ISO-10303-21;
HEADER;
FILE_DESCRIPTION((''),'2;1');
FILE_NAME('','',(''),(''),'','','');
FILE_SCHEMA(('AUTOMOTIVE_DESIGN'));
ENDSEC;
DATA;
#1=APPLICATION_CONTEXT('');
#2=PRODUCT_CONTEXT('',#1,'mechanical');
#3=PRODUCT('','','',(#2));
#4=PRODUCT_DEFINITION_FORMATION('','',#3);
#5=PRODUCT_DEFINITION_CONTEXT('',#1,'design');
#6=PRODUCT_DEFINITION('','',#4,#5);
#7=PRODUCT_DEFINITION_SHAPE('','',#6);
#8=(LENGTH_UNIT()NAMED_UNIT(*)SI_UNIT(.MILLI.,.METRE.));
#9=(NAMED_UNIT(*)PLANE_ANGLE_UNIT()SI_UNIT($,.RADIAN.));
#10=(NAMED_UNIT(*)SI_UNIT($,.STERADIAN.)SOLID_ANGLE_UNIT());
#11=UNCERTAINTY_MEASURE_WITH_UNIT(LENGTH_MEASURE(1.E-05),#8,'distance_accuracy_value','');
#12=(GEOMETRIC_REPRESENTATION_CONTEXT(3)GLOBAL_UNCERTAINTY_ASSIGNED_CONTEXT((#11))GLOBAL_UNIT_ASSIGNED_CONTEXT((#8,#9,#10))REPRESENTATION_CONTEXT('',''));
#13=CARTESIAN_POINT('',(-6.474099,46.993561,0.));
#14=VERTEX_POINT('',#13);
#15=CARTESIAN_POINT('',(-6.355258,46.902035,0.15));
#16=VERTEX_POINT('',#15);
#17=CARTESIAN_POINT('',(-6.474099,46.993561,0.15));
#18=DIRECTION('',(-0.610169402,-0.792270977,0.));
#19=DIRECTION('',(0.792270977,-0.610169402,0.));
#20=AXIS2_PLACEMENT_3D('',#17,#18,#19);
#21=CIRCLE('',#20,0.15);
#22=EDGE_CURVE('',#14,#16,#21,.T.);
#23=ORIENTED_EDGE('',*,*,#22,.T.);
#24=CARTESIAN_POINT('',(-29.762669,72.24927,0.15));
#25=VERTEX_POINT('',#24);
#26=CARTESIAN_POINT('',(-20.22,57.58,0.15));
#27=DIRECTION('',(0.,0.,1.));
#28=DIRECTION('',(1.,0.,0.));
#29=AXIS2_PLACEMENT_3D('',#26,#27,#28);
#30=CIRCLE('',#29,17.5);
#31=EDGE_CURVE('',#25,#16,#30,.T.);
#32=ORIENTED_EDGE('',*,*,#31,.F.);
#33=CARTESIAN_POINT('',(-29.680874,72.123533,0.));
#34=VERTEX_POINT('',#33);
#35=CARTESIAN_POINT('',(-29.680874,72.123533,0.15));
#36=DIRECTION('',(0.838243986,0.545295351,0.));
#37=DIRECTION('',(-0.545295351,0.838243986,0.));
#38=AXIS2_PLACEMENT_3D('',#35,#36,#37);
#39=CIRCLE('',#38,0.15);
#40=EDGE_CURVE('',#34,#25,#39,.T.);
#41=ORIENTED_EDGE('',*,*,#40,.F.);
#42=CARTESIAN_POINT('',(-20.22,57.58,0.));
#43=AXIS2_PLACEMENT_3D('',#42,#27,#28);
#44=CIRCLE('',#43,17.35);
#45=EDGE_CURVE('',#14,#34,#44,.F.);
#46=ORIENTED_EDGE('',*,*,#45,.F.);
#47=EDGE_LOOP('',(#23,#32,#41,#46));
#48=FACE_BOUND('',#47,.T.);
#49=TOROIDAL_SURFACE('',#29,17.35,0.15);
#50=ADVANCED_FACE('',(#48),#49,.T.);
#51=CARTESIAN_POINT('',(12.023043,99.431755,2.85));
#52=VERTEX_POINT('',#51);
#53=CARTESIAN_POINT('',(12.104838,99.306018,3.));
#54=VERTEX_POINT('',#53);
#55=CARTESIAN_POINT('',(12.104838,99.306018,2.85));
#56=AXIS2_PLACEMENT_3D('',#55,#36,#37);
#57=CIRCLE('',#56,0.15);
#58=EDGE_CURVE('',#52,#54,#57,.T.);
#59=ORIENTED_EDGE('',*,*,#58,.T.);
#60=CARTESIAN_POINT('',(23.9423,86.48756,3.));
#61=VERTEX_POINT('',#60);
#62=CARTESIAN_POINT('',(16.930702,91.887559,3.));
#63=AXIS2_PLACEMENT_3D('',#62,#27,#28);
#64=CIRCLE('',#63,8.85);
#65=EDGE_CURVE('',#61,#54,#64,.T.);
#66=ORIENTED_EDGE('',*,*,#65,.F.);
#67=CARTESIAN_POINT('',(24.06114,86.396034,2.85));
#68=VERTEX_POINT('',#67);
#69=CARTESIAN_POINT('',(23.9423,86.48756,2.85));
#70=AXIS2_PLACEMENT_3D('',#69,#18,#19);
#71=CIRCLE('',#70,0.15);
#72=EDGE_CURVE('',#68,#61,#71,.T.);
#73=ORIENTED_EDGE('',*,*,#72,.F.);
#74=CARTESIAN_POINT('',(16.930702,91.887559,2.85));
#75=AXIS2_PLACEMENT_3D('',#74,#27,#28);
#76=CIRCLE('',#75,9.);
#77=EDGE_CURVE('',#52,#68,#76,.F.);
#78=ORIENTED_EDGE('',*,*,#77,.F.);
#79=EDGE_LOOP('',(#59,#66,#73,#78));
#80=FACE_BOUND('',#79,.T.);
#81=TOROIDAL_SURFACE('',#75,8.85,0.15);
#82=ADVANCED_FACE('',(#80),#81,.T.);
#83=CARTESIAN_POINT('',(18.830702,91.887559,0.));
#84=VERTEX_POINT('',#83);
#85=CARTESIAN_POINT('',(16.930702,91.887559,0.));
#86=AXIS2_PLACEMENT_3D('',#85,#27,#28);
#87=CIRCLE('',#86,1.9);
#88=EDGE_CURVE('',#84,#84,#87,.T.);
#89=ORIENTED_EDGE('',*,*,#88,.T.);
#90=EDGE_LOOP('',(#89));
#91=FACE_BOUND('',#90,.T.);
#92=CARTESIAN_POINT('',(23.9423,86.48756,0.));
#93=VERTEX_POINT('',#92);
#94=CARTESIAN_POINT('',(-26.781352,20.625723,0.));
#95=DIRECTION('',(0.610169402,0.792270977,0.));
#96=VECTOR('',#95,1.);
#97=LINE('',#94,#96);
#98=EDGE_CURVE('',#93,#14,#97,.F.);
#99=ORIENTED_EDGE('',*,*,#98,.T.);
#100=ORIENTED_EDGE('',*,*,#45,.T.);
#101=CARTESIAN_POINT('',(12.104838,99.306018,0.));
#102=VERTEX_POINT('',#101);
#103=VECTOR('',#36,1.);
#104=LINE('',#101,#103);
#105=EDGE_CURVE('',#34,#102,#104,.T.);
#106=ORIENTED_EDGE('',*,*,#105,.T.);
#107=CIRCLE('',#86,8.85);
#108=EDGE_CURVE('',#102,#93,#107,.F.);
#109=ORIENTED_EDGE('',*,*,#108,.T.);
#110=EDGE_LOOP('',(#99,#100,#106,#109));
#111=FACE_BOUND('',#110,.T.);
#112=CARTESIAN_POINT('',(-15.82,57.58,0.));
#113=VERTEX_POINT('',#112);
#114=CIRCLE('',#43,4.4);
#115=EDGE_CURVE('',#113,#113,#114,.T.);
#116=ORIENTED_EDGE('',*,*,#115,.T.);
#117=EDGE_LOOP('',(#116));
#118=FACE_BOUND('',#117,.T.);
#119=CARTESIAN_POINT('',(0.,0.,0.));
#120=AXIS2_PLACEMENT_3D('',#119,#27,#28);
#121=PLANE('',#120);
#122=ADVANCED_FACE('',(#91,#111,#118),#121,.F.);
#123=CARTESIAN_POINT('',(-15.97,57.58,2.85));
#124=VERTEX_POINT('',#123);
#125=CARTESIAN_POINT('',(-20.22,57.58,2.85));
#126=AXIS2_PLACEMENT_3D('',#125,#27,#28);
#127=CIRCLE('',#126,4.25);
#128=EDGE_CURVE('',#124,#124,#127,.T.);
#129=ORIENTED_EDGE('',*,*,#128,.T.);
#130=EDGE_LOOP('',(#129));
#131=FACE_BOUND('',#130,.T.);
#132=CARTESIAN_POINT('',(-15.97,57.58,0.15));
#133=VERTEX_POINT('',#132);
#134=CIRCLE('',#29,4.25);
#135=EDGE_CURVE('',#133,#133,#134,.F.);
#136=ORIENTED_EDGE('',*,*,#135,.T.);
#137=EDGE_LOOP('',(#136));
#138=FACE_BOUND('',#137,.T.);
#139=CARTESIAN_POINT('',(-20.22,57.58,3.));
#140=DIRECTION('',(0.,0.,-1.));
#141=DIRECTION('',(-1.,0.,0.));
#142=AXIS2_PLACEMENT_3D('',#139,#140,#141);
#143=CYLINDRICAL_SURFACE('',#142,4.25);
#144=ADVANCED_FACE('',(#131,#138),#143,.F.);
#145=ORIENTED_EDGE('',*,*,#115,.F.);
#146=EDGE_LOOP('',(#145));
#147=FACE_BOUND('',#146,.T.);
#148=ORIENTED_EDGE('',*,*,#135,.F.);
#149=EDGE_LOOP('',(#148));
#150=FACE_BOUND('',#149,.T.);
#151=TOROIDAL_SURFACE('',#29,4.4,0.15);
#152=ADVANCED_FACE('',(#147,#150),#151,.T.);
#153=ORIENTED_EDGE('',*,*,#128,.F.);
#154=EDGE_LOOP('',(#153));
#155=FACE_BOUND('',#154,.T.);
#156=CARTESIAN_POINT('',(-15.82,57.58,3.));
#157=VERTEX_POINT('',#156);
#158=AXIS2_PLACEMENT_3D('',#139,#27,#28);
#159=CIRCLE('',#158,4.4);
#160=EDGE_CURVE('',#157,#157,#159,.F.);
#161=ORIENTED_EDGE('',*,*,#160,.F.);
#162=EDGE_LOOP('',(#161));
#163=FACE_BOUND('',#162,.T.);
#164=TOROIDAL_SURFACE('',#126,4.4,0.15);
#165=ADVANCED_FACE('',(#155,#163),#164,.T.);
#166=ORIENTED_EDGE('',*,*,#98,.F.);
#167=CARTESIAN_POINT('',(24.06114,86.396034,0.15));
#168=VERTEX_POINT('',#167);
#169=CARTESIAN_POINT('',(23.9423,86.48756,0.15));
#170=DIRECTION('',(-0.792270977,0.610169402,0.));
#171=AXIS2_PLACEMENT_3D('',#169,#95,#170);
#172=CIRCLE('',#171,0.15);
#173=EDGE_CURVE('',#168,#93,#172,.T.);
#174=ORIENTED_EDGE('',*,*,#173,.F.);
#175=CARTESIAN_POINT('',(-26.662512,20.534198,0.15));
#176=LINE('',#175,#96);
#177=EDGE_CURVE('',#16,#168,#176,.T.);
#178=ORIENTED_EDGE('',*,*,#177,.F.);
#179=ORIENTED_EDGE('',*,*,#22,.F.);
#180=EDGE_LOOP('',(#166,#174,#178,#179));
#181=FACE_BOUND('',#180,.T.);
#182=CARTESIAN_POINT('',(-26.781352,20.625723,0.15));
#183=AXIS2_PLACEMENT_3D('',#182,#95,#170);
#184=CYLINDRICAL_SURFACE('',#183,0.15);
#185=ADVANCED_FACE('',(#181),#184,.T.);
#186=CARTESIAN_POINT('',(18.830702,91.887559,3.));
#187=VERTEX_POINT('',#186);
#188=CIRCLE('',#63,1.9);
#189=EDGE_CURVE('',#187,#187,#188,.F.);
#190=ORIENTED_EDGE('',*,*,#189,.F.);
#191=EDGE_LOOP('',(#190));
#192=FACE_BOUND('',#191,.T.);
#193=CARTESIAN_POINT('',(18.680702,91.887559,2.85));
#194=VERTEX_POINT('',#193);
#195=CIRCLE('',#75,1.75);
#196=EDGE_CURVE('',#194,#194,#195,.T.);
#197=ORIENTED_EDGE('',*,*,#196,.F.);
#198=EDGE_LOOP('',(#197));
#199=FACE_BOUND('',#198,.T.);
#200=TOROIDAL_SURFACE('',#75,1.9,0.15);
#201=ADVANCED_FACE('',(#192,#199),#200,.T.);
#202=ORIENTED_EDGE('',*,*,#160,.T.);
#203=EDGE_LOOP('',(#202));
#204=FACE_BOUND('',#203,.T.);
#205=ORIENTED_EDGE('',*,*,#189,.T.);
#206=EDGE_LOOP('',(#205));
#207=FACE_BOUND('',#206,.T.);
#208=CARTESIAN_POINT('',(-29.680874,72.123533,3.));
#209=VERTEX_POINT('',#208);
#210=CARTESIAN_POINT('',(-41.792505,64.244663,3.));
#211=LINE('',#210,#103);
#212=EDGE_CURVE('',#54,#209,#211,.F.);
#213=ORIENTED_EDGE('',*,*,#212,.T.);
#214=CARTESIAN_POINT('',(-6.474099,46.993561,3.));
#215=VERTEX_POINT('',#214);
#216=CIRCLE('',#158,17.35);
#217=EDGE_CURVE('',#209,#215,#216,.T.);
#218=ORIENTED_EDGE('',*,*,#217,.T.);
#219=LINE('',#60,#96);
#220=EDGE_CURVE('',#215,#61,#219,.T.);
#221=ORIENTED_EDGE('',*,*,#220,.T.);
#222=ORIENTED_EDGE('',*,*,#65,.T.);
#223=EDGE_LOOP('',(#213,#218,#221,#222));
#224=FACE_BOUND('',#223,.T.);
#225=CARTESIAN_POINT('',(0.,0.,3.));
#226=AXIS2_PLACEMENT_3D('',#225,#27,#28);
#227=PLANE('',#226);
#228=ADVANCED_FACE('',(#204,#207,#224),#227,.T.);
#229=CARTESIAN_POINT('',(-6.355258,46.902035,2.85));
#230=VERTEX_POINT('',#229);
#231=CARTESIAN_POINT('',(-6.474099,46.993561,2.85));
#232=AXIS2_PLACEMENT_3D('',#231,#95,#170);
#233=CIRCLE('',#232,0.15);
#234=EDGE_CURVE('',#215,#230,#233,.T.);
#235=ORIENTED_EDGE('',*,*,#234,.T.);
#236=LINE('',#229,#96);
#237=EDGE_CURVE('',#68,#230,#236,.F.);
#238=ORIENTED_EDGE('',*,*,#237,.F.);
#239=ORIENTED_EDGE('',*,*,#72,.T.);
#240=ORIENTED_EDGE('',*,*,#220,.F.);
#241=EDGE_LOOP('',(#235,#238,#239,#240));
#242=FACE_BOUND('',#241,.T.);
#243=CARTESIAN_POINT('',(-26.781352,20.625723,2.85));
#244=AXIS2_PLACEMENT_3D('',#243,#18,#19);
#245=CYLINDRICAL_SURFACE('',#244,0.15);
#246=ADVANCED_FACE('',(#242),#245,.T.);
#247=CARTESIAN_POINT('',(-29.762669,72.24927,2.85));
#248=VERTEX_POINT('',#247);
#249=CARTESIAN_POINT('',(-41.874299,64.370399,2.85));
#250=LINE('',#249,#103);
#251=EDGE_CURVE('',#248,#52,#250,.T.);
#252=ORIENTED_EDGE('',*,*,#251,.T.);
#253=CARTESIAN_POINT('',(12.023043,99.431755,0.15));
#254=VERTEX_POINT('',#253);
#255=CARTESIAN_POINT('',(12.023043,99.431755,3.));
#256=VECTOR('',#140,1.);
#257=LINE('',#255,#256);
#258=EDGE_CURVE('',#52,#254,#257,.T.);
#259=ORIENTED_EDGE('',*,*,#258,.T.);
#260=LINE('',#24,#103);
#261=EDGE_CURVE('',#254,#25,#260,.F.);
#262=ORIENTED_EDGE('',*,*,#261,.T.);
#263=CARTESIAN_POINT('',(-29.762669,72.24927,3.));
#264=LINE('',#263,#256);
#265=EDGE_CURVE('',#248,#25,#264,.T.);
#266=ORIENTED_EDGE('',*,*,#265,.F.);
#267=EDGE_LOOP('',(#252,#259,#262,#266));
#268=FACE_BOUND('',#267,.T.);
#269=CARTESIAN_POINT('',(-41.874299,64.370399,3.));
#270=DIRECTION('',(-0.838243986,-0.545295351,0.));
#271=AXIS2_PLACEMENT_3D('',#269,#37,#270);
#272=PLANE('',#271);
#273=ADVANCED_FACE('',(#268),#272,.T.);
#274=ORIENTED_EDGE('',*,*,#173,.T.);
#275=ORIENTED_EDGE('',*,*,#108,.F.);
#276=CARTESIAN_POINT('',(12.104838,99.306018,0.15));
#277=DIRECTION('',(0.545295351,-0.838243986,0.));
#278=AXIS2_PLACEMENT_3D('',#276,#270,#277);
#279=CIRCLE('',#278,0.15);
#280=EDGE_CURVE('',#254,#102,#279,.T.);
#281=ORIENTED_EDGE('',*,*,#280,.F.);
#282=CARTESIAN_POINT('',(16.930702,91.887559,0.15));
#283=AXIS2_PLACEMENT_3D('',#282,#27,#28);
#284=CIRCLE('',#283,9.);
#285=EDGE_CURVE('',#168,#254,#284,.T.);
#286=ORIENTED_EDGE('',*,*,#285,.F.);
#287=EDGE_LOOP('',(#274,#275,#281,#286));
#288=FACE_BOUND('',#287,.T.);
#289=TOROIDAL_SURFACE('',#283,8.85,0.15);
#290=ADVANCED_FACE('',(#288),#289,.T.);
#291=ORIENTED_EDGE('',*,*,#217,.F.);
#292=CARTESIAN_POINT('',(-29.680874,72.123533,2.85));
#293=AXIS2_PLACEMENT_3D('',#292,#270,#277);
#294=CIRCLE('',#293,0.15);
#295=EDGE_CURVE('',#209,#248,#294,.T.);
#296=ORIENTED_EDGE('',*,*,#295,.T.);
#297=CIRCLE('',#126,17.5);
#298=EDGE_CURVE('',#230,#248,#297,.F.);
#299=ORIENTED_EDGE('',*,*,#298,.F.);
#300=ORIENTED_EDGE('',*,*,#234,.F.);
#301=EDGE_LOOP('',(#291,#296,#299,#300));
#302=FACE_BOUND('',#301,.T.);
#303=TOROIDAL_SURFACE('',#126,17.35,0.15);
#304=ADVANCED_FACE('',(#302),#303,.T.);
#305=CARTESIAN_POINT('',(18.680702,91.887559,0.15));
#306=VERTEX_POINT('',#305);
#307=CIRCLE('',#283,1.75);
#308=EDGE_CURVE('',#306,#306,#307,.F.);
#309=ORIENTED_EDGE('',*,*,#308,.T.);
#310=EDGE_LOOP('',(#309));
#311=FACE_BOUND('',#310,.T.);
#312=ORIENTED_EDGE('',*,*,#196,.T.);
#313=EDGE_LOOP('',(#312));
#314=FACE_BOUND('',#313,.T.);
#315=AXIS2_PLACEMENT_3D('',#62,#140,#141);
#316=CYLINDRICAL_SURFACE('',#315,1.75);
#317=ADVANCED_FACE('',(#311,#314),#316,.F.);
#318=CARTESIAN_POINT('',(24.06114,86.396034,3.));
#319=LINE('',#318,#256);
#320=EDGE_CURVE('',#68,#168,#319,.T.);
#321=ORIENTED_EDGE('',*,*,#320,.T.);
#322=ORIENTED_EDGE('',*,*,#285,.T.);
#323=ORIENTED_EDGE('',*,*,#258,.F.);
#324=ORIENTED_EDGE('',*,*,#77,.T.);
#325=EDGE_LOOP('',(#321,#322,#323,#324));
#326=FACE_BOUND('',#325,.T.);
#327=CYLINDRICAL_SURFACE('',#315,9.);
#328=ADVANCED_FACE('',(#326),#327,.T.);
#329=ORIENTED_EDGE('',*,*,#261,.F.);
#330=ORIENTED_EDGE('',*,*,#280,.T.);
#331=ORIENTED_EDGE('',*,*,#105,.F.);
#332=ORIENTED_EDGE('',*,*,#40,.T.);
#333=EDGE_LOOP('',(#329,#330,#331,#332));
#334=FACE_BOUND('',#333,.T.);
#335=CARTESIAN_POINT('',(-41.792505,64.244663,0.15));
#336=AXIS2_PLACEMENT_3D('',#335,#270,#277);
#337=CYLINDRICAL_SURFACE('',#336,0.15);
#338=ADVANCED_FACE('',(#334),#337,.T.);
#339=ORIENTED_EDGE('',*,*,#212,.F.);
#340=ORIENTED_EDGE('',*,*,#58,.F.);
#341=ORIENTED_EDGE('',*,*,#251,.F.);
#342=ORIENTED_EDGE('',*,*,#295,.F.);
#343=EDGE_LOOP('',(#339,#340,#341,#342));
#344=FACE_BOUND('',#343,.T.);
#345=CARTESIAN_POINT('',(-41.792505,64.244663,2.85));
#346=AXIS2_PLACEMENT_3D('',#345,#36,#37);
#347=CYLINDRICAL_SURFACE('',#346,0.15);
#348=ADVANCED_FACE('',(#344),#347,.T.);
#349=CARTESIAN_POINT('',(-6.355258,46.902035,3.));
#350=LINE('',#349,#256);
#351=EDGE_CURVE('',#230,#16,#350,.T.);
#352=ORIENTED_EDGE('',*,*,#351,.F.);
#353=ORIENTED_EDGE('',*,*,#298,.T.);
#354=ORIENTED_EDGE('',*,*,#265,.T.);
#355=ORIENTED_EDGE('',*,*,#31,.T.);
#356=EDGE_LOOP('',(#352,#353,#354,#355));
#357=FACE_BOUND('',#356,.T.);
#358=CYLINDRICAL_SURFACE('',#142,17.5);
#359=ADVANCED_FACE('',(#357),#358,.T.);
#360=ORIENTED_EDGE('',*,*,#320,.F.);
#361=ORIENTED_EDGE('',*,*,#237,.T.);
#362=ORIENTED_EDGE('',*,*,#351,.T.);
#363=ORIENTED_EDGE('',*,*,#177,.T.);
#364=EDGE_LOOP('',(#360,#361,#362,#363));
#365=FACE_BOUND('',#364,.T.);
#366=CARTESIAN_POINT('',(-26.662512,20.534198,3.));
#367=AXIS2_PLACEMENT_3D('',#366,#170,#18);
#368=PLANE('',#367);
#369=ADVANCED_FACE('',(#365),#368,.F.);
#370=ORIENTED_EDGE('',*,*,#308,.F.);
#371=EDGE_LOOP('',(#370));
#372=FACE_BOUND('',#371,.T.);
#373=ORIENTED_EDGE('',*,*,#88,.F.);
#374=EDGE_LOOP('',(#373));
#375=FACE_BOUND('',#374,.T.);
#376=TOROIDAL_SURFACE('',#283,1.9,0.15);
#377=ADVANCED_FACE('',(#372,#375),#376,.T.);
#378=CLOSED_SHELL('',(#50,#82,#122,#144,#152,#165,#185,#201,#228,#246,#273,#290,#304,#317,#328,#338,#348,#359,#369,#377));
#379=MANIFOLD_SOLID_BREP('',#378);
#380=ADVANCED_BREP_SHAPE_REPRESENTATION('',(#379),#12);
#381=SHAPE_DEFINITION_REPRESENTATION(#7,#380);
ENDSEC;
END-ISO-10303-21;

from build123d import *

# Parameters (mm, degrees)
SKETCH1_R           = 4.25
SKETCH1_R_2         = 1.75
BOSS_EXTRUDE1_DEPTH = 3
FILLET2_R           = 0.15


with BuildPart() as part:
    # Sketch1 → Boss-Extrude1 (new body)
    with BuildSketch(Plane.XY):
        with BuildLine():
            Line((-6.355257907, 46.902035461), (24.061140419, 86.396034215))
            ThreePointArc((24.061140419, 86.396034215), (23.542637098, 97.993482955), (12.023043472, 99.431754711))
            Line((12.023043472, 99.431754711), (-29.762668638, 72.249269759))
            ThreePointArc((-29.762668638, 72.249269759), (-33.07654119, 45.707369768), (-6.355257907, 46.902035461))
        make_face()
        with Locations((-20.22, 57.58)):
            Circle(SKETCH1_R, mode=Mode.SUBTRACT)
        with Locations((16.930701629, 91.887558835)):
            Circle(SKETCH1_R_2, mode=Mode.SUBTRACT)
    extrude(amount=BOSS_EXTRUDE1_DEPTH)

    # Fillet2
    fillet2_edges = [part.edges().sort_by_distance(p)[0] for p in [
        (15.180701629, 91.887558835, 0),
        (-24.47, 57.58, 3),
        (23.542637098, 97.993482955, 3),
        (-8.869812583, 85.840512235, 3),
        (-33.07654119, 45.707369768, 3),
        (8.852941256, 66.649034838, 3),
        (15.180701629, 91.887558835, 3),
        (8.852941256, 66.649034838, 0),
        (-33.07654119, 45.707369768, 0),
        (-8.869812583, 85.840512235, 0),
        (23.542637098, 97.993482955, 0),
        (-24.47, 57.58, 0),
    ]]
    fillet(fillet2_edges, radius=FILLET2_R)


solid = part.part
